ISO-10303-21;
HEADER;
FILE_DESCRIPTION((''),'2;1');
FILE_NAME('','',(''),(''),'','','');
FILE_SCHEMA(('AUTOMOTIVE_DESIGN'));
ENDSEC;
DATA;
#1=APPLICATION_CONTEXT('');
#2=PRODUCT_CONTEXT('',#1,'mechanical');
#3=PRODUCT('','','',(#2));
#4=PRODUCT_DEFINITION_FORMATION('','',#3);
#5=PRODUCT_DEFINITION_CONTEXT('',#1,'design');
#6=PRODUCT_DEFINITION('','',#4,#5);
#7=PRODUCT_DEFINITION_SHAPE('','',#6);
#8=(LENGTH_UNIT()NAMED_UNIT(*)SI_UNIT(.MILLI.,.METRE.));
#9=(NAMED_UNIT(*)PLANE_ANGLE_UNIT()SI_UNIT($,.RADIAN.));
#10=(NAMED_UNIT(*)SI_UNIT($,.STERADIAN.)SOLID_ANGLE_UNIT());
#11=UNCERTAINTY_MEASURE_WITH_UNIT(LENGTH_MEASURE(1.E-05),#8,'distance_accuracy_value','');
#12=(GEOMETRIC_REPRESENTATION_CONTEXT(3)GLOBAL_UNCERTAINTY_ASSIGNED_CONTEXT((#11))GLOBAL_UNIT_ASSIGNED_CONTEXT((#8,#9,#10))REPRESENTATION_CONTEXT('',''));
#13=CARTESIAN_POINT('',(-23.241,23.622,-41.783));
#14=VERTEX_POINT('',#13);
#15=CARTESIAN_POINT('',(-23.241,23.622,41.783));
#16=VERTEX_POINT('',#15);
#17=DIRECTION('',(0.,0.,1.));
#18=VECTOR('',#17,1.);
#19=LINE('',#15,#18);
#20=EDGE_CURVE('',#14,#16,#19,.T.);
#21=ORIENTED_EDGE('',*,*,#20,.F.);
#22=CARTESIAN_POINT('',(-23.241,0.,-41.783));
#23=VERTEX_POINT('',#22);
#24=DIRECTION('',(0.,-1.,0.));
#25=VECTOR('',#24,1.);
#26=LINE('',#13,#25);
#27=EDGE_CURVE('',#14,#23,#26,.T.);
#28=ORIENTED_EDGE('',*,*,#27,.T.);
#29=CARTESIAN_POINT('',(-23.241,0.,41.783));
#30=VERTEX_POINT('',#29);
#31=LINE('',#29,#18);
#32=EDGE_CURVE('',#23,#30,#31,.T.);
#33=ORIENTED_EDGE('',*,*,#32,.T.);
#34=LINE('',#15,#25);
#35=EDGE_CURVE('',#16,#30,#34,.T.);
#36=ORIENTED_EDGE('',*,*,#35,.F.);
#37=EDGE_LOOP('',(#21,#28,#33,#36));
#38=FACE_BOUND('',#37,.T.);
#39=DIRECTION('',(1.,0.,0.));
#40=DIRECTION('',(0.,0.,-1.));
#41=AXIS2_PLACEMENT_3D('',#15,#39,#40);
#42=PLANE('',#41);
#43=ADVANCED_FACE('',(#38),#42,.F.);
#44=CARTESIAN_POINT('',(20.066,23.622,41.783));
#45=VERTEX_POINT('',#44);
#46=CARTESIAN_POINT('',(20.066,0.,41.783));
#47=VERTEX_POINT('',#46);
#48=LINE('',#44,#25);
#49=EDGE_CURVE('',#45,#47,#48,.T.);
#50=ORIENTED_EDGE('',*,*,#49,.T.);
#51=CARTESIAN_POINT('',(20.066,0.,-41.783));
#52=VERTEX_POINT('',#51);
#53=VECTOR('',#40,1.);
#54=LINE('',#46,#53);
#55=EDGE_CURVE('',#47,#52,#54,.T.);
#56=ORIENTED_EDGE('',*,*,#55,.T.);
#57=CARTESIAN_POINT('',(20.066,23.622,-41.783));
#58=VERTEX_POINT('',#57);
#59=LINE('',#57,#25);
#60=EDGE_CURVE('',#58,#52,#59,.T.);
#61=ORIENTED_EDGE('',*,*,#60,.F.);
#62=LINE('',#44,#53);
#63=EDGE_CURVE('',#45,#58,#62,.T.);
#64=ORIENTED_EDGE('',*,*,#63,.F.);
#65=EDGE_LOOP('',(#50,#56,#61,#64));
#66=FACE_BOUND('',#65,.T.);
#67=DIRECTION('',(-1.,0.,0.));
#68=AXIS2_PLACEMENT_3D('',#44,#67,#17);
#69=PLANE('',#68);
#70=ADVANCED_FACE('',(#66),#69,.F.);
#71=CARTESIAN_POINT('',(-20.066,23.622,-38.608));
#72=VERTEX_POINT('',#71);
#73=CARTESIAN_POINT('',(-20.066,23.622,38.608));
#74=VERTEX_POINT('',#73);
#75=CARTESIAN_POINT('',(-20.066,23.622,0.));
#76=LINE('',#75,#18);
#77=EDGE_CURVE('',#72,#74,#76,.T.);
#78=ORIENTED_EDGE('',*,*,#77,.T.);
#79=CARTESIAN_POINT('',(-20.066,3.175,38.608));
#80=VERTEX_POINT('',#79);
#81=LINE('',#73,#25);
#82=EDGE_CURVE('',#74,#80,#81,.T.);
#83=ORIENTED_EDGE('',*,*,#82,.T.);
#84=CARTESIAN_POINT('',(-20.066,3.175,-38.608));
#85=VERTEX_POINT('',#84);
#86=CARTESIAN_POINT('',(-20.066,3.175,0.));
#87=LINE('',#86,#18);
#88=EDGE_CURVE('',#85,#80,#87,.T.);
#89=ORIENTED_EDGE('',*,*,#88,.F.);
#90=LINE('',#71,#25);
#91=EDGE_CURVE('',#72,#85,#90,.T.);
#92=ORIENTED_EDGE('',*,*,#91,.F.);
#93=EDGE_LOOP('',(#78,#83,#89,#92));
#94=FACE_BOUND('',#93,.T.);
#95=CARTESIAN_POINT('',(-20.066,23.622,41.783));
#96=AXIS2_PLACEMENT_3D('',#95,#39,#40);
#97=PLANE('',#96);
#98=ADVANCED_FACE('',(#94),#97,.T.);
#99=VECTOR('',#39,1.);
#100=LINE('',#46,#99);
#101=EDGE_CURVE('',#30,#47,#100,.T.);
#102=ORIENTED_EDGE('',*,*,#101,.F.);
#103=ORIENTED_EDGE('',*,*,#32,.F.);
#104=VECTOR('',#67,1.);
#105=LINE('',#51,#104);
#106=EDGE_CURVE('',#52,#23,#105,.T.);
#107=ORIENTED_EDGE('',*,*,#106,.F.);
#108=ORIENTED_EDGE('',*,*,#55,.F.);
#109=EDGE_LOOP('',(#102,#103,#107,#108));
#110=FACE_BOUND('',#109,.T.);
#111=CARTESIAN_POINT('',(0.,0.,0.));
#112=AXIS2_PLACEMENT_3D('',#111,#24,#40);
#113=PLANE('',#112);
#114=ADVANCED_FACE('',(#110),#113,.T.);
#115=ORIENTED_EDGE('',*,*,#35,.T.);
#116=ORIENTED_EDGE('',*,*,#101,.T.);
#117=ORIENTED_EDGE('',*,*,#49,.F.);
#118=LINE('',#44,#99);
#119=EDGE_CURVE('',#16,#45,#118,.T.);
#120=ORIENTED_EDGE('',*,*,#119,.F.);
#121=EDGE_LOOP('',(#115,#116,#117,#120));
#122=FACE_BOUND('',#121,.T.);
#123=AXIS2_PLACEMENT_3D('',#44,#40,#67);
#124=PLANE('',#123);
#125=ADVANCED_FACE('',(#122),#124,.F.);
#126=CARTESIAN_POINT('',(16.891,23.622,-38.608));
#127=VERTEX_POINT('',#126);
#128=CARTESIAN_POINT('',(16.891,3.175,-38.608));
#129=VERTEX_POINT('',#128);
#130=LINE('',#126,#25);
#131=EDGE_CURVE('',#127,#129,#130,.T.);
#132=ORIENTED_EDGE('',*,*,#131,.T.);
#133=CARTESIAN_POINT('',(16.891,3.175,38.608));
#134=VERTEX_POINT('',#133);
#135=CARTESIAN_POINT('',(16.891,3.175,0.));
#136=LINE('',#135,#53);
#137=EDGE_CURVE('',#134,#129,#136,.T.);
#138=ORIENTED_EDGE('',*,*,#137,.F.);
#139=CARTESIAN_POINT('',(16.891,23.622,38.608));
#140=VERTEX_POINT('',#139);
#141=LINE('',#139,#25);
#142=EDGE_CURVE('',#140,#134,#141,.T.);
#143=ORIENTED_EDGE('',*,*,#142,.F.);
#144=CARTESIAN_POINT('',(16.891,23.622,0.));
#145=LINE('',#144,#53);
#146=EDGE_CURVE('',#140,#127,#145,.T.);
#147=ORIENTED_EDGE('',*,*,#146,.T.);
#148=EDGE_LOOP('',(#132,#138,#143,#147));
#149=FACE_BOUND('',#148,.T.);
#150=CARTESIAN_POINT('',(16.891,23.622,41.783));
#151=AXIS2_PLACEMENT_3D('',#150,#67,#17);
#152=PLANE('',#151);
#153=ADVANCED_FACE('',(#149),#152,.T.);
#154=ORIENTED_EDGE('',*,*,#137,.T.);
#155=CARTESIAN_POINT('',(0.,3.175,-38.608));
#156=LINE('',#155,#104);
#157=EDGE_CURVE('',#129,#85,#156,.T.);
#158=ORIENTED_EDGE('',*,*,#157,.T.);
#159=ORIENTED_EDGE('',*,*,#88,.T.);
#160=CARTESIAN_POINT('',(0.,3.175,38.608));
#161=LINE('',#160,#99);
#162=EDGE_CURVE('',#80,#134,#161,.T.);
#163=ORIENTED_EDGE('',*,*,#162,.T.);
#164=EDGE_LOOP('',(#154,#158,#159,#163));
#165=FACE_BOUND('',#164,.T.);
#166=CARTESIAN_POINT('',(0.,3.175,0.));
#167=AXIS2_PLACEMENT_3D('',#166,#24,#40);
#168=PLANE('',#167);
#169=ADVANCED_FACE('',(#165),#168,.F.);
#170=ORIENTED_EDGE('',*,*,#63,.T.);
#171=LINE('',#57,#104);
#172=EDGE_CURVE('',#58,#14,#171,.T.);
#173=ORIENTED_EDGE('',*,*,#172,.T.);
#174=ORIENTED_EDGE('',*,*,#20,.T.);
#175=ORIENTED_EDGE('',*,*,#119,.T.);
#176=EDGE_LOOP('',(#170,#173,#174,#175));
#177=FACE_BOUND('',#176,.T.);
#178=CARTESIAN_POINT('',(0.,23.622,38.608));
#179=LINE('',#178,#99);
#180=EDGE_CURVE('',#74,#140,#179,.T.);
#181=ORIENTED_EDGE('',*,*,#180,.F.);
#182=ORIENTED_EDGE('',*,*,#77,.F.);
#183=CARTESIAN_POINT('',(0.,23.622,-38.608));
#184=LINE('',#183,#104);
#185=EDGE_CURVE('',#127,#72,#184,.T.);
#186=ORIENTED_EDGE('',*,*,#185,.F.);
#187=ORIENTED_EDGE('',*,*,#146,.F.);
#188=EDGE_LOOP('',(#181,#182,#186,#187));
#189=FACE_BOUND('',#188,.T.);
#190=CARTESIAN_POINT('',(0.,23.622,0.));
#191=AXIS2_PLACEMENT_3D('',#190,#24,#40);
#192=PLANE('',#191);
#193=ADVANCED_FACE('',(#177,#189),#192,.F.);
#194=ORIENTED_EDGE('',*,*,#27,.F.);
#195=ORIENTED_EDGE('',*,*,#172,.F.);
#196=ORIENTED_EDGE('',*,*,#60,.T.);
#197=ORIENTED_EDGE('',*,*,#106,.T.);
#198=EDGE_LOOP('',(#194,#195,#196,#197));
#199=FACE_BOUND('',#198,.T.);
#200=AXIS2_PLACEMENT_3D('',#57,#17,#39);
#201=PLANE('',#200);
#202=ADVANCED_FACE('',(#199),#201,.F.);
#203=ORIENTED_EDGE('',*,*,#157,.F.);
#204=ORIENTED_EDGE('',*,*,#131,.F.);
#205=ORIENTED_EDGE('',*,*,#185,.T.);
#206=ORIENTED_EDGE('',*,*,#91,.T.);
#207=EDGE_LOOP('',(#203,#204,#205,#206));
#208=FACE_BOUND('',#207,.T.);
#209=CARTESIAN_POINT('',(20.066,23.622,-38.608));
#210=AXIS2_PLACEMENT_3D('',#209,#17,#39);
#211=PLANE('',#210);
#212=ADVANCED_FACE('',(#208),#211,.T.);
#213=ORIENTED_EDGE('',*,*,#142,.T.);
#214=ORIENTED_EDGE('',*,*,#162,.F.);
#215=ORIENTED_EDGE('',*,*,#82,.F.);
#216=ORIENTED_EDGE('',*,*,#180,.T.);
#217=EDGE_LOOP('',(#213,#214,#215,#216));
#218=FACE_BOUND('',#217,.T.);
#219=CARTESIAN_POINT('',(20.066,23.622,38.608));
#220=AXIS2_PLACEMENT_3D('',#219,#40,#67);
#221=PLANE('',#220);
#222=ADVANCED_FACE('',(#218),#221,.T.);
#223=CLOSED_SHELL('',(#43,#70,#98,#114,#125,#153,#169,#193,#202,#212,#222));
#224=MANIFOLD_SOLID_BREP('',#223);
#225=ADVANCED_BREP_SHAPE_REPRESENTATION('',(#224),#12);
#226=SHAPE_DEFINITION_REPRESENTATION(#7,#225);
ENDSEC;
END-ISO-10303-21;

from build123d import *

# Parameters (mm, degrees)
SKETCH3_W           = 43.307
SKETCH3_H           = 83.566
BOSS_EXTRUDE1_DEPTH = 23.622
SHELL2_T            = -3.175


with BuildPart() as part:
    # Sketch3 → Boss-Extrude1 (new body)
    with BuildSketch(Plane(origin=(0, 0, 0), x_dir=(1, 0, 0), z_dir=(0, 1, 0))):
        with Locations((-1.5875, 0)):
            Rectangle(SKETCH3_W, SKETCH3_H)
    extrude(amount=BOSS_EXTRUDE1_DEPTH)

    # Shell2
    shell2_openings = [part.faces().sort_by_distance(p)[0] for p in [
        (-1.5875, 23.622, 0),
    ]]
    offset(amount=SHELL2_T, openings=shell2_openings, kind=Kind.INTERSECTION)


solid = part.part
